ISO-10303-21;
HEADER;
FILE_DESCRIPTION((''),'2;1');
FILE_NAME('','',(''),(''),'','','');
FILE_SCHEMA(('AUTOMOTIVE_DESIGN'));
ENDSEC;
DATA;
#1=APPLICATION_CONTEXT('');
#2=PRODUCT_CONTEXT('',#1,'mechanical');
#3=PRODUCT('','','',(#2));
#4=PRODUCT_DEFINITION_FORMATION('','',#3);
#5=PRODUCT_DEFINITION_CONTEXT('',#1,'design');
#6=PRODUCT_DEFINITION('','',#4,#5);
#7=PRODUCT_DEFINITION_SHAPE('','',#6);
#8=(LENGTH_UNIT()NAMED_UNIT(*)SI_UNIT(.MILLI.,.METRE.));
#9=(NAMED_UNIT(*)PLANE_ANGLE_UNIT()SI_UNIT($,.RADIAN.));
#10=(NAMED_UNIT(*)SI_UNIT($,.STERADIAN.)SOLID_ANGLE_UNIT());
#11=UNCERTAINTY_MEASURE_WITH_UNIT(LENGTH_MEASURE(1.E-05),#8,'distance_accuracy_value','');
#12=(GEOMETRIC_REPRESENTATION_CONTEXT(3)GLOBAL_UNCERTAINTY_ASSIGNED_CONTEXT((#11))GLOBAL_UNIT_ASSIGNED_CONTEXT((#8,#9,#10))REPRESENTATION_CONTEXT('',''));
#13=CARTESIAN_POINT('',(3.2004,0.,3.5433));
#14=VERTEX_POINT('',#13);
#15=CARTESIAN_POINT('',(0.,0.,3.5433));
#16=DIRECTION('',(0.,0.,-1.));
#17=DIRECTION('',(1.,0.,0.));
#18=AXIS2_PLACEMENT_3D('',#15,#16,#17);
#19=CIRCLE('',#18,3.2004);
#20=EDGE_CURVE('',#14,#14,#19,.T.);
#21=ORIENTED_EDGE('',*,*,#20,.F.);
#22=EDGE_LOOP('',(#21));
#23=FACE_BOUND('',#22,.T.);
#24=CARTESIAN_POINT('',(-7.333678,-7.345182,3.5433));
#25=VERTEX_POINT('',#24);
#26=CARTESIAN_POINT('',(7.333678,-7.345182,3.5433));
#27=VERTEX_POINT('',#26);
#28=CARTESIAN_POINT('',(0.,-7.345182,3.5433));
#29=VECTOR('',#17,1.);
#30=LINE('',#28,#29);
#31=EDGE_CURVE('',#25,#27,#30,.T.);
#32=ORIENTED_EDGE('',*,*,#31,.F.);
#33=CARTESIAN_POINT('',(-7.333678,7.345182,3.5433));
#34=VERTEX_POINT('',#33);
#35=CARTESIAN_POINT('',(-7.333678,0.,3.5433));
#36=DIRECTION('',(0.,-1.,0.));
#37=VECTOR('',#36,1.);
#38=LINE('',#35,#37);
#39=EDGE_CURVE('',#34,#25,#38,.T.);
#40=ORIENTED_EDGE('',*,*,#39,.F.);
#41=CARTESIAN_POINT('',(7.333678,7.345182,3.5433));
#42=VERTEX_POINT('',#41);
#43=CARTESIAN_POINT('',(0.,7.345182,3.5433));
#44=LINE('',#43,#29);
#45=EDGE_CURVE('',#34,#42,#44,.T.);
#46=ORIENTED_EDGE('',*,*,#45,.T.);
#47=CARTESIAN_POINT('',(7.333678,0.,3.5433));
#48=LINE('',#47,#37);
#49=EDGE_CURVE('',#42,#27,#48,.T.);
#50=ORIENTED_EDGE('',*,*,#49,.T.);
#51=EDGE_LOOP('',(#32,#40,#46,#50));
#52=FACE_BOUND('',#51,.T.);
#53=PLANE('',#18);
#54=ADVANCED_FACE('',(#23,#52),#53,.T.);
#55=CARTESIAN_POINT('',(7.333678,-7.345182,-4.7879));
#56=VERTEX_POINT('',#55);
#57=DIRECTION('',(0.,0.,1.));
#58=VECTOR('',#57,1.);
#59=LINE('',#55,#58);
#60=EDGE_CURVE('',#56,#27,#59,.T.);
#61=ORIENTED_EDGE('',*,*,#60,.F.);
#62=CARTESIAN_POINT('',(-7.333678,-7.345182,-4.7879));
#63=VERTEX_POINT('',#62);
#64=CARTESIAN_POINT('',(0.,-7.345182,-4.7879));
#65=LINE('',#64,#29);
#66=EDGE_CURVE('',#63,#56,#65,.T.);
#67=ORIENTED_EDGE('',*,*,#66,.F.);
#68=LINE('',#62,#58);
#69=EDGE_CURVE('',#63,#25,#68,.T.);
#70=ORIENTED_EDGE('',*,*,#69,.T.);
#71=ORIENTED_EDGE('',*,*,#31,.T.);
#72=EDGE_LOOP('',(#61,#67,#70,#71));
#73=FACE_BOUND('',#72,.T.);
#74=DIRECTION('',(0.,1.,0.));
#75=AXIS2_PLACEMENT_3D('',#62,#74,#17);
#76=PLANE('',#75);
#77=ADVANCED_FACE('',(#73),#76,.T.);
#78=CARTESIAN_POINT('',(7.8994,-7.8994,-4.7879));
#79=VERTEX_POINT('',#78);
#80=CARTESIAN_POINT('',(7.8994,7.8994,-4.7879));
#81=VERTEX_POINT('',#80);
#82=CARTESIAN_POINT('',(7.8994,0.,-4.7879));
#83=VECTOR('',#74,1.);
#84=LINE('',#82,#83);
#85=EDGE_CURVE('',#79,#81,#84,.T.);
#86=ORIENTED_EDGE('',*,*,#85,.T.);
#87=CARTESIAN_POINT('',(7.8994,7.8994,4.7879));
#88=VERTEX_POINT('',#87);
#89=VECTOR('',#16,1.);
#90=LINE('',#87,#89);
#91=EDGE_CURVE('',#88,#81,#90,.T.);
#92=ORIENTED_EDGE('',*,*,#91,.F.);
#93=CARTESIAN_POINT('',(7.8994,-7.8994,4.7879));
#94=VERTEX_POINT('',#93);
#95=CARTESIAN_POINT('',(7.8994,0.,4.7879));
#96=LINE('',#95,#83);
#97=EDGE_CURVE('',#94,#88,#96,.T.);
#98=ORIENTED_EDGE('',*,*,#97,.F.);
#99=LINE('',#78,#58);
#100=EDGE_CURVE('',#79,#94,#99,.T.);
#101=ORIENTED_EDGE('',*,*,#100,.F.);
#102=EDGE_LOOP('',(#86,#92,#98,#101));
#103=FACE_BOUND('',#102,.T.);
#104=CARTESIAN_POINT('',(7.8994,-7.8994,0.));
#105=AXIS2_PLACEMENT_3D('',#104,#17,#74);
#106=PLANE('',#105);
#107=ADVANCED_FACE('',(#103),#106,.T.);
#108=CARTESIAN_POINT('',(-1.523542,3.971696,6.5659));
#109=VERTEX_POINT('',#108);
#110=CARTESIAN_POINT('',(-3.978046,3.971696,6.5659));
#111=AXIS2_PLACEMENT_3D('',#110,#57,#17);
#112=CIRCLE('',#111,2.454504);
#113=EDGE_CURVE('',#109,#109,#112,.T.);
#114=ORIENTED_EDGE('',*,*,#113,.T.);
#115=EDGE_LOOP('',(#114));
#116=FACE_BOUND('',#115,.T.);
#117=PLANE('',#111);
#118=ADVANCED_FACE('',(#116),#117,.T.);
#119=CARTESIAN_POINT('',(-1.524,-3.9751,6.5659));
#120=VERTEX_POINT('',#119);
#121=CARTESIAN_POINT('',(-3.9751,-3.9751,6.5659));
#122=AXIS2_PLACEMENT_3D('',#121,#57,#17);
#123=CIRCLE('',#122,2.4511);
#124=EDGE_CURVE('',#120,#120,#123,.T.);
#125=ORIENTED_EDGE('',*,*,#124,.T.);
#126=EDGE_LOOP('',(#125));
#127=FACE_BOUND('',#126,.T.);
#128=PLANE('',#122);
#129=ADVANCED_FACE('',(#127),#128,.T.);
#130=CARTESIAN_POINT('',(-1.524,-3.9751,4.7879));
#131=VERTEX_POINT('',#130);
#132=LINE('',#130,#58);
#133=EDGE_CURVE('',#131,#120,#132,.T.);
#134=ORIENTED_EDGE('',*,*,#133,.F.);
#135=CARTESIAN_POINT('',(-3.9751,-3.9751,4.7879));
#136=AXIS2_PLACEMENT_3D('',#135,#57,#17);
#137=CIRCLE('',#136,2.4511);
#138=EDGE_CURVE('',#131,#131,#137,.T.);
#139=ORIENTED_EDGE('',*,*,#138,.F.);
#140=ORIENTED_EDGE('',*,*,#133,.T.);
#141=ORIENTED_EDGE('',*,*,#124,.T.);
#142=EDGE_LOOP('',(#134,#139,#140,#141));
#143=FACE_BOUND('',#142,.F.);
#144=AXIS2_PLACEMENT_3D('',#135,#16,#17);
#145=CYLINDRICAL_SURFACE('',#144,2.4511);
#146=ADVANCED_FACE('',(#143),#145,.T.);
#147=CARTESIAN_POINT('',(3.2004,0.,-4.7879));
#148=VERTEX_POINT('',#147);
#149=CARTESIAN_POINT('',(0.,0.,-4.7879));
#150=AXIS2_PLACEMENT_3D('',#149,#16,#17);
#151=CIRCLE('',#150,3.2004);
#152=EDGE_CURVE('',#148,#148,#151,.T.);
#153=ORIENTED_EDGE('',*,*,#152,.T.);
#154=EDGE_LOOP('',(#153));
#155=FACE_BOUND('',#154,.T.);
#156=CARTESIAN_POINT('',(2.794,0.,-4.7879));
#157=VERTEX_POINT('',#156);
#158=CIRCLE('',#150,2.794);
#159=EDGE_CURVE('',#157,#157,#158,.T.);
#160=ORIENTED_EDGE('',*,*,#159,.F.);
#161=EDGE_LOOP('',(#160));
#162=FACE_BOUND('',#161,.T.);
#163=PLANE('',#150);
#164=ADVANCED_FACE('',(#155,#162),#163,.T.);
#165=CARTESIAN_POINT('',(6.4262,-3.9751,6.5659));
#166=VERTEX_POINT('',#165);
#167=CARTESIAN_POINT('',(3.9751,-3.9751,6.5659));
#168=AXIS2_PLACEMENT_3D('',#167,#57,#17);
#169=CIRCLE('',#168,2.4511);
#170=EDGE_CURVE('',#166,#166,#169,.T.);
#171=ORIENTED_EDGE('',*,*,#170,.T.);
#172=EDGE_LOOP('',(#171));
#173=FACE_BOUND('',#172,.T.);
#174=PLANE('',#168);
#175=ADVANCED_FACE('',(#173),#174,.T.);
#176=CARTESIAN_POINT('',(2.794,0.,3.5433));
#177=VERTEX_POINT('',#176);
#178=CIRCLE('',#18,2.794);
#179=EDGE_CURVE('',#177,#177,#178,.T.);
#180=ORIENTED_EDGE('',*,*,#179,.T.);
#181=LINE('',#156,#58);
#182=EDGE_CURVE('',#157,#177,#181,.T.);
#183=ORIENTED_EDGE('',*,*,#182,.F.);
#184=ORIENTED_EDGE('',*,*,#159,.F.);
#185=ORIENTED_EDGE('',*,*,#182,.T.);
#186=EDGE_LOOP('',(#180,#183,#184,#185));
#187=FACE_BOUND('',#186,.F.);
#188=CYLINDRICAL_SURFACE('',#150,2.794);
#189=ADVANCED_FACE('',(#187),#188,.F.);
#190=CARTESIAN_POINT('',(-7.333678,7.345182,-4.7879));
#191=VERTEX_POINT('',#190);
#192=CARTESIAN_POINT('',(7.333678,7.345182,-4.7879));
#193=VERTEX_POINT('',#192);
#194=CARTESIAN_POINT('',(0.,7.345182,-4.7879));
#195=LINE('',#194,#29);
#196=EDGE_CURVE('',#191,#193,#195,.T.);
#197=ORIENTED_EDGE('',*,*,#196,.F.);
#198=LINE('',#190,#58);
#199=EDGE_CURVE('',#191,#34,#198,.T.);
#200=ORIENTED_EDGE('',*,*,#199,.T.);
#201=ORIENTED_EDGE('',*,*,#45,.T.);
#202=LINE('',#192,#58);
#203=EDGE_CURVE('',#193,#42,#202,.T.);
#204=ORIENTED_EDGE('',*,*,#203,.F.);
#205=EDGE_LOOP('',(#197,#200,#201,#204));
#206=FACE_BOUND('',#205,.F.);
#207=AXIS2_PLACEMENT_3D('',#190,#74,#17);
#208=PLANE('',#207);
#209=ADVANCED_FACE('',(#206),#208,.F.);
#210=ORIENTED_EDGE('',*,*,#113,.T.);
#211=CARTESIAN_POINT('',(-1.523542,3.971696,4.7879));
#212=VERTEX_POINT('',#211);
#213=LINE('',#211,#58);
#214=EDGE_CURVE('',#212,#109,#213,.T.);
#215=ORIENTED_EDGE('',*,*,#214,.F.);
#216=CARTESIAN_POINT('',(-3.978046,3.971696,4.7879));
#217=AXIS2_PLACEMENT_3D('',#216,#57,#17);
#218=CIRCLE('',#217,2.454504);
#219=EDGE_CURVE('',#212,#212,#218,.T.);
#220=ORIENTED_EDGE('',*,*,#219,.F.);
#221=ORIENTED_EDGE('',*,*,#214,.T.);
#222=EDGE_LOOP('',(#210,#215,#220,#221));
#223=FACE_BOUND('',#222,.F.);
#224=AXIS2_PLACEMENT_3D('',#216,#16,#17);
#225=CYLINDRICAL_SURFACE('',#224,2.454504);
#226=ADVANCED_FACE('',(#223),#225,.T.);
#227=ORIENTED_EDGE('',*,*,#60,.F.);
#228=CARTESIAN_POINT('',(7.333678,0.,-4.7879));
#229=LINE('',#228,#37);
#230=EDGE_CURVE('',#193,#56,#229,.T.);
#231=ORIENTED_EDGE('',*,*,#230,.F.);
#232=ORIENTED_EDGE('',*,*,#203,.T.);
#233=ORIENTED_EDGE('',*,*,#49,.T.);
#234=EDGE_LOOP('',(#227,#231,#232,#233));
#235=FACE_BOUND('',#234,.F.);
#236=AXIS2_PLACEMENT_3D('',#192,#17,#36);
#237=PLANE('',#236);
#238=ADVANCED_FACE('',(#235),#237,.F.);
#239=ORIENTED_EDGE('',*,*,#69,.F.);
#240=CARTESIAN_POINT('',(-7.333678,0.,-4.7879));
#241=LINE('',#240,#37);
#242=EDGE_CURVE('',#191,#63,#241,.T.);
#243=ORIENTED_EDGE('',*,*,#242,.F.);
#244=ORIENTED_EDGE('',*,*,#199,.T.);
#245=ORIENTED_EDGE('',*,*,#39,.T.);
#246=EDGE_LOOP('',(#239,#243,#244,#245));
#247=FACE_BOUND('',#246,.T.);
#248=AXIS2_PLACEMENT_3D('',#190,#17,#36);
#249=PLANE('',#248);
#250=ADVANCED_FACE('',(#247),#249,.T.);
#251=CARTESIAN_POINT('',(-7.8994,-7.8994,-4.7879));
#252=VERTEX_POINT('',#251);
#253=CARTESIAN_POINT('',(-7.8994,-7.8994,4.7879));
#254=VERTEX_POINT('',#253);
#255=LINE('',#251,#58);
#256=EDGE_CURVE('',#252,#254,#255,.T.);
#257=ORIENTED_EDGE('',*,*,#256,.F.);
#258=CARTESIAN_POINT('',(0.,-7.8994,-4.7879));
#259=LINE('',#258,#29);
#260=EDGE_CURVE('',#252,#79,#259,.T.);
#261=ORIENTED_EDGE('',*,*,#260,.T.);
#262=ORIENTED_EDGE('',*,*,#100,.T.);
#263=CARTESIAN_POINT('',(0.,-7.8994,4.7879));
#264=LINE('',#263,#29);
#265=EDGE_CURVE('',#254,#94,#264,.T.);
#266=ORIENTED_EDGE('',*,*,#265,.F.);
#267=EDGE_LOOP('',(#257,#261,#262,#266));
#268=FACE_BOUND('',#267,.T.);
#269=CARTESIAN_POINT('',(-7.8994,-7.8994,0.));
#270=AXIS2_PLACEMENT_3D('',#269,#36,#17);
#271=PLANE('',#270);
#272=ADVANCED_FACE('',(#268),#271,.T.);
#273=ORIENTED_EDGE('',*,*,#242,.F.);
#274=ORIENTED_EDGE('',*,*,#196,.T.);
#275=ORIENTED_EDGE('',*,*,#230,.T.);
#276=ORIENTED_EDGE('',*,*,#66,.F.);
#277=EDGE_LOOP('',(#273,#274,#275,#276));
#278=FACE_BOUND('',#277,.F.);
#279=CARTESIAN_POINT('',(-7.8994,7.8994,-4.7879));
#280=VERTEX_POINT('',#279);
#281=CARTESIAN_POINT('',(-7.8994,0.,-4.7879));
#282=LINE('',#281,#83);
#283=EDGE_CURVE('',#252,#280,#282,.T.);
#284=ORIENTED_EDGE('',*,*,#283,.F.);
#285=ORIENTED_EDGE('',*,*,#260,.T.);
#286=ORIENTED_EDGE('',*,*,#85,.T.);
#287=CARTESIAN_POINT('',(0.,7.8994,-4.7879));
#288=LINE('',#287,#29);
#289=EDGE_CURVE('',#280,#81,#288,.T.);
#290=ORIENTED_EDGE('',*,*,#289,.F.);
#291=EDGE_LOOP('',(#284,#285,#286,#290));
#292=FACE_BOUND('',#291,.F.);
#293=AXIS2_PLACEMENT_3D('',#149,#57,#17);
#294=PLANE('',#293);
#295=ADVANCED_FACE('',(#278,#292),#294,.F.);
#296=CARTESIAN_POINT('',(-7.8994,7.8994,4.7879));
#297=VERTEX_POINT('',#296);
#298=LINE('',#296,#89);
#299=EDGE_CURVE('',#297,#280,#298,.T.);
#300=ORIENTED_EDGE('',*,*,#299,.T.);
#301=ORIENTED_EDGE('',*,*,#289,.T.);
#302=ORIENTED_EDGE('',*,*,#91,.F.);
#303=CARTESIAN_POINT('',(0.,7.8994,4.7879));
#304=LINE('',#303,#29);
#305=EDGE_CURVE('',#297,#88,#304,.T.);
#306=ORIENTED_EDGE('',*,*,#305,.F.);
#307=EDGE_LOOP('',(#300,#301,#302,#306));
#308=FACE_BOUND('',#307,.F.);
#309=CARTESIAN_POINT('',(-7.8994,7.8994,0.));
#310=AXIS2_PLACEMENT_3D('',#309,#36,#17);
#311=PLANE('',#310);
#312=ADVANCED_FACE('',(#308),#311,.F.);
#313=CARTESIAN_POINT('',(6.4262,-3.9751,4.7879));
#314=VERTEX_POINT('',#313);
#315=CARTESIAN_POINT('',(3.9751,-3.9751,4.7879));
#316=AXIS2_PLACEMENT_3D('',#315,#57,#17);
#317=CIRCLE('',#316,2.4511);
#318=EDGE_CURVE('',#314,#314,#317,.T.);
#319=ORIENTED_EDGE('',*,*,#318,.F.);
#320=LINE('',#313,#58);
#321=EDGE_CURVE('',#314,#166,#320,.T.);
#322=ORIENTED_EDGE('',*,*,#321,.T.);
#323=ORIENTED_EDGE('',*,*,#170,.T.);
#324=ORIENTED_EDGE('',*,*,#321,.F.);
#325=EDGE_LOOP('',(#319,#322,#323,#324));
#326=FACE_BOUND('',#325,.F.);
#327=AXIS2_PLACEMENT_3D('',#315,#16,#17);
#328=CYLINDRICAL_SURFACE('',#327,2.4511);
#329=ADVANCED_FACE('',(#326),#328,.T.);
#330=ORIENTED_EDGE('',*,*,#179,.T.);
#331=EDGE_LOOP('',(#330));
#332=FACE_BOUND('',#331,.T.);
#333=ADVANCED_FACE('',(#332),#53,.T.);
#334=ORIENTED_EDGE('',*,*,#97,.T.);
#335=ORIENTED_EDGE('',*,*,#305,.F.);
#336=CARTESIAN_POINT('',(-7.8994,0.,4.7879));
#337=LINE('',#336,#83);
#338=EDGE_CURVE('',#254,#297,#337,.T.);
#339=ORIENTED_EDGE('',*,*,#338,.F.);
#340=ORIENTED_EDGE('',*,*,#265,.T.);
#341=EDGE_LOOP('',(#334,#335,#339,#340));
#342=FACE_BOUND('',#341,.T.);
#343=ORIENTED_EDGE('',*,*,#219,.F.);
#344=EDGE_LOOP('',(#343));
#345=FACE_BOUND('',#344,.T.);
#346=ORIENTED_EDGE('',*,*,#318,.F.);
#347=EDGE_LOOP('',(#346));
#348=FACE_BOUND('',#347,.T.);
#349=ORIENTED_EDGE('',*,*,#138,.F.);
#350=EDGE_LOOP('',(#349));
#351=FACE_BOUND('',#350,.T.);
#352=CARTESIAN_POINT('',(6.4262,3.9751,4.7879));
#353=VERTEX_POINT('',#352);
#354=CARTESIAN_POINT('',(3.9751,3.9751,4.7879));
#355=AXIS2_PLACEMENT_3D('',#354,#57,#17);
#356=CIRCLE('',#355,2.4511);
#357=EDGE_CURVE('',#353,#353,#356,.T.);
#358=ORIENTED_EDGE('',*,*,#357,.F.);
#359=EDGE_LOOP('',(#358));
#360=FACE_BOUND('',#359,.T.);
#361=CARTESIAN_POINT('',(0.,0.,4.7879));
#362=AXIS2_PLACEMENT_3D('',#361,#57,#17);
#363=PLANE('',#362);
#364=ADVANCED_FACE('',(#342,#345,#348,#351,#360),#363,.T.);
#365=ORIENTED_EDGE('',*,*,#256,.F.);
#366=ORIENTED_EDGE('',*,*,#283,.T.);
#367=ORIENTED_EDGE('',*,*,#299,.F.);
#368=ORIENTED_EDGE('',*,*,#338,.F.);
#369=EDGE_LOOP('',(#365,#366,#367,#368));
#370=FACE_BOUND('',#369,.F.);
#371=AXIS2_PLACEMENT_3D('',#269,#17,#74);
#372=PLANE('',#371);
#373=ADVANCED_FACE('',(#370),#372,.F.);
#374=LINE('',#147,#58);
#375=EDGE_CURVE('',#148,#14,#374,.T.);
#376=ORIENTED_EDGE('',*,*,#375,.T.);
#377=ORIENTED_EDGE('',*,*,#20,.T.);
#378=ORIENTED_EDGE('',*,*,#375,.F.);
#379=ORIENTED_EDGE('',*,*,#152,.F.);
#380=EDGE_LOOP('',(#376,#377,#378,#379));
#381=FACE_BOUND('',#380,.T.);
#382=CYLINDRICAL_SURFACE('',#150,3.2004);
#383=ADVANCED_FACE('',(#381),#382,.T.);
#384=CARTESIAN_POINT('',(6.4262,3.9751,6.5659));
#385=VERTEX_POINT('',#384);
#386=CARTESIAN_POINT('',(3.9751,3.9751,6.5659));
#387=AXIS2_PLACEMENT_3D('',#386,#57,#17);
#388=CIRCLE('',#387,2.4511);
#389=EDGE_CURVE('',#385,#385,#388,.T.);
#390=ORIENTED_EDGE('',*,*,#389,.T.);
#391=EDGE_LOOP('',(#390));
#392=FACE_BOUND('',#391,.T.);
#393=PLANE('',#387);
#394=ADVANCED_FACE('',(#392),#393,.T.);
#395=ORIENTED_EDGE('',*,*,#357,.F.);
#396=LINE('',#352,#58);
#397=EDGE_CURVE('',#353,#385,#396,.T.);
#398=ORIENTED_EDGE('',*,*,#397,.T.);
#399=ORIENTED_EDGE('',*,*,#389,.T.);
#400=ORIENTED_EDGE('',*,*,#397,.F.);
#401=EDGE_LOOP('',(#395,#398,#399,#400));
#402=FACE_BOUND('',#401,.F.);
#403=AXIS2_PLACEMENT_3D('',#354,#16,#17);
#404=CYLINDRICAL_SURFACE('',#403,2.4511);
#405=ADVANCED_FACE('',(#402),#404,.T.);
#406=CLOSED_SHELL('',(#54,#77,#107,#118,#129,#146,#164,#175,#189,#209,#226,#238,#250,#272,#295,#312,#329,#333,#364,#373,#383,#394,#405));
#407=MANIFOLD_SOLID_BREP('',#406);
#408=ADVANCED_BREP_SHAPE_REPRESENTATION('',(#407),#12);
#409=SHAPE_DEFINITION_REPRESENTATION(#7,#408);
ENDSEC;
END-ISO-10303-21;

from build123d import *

# Parameters (mm, degrees)
F0_W      = 15.7988
F0_H      = 15.7988
F1_DEPTH  = 4.7879
F2_R      = 2.454504
F6_DEPTH  = 1.778
F3_R      = 2.4511
F7_DEPTH  = 1.778
F4_R      = 2.4511
F8_DEPTH  = 1.778
F5_R      = 2.4511
F9_DEPTH  = 1.778
F10_W     = 14.667356
F10_H     = 14.690364
F13_DEPTH = 8.3312
F11_R     = 3.2004
F14_DEPTH = 8.3312
F12_R     = 2.794
F15_DEPTH = 8.3312


with BuildPart() as f1:
    # F0 (on Top) → F1 (new body, symmetric)
    with BuildSketch(Plane.XY):
        Rectangle(F0_W, F0_H)
    extrude(amount=F1_DEPTH, both=True)

    # F2 (on face) → F6 (join)
    with BuildSketch(Plane.XY.offset(4.7879)):
        with Locations((-3.978046, 3.971696)):
            Circle(F2_R)
    extrude(amount=F6_DEPTH)

    # F3 (on face) → F7 (join)
    with BuildSketch(Plane.XY.offset(4.7879)):
        with Locations((3.9751, 3.9751)):
            Circle(F3_R)
    extrude(amount=F7_DEPTH)

    # F4 (on face) → F8 (join)
    with BuildSketch(Plane.XY.offset(4.7879)):
        with Locations((-3.9751, -3.9751)):
            Circle(F4_R)
    extrude(amount=F8_DEPTH)

    # F5 (on face) → F9 (join)
    with BuildSketch(Plane.XY.offset(4.7879)):
        with Locations((3.9751, -3.9751)):
            Circle(F5_R)
    extrude(amount=F9_DEPTH)

    # F10 (on face) → F13 (cut)
    with BuildSketch(Plane(origin=(0, 0, -4.7879), x_dir=(1, 0, 0), z_dir=(0, 0, -1))):
        Rectangle(F10_W, F10_H)
    extrude(amount=-F13_DEPTH, mode=Mode.SUBTRACT)

    # F11 (on face) → F14 (join)
    with BuildSketch(Plane(origin=(0, 0, -4.7879), x_dir=(1, 0, 0), z_dir=(0, 0, -1))):
        Circle(F11_R)
    extrude(amount=-F14_DEPTH)

    # F12 (on face) → F15 (cut)
    with BuildSketch(Plane(origin=(0, 0, -4.7879), x_dir=(1, 0, 0), z_dir=(0, 0, -1))):
        Circle(F12_R)
    extrude(amount=-F15_DEPTH, mode=Mode.SUBTRACT)


solid = f1.part
